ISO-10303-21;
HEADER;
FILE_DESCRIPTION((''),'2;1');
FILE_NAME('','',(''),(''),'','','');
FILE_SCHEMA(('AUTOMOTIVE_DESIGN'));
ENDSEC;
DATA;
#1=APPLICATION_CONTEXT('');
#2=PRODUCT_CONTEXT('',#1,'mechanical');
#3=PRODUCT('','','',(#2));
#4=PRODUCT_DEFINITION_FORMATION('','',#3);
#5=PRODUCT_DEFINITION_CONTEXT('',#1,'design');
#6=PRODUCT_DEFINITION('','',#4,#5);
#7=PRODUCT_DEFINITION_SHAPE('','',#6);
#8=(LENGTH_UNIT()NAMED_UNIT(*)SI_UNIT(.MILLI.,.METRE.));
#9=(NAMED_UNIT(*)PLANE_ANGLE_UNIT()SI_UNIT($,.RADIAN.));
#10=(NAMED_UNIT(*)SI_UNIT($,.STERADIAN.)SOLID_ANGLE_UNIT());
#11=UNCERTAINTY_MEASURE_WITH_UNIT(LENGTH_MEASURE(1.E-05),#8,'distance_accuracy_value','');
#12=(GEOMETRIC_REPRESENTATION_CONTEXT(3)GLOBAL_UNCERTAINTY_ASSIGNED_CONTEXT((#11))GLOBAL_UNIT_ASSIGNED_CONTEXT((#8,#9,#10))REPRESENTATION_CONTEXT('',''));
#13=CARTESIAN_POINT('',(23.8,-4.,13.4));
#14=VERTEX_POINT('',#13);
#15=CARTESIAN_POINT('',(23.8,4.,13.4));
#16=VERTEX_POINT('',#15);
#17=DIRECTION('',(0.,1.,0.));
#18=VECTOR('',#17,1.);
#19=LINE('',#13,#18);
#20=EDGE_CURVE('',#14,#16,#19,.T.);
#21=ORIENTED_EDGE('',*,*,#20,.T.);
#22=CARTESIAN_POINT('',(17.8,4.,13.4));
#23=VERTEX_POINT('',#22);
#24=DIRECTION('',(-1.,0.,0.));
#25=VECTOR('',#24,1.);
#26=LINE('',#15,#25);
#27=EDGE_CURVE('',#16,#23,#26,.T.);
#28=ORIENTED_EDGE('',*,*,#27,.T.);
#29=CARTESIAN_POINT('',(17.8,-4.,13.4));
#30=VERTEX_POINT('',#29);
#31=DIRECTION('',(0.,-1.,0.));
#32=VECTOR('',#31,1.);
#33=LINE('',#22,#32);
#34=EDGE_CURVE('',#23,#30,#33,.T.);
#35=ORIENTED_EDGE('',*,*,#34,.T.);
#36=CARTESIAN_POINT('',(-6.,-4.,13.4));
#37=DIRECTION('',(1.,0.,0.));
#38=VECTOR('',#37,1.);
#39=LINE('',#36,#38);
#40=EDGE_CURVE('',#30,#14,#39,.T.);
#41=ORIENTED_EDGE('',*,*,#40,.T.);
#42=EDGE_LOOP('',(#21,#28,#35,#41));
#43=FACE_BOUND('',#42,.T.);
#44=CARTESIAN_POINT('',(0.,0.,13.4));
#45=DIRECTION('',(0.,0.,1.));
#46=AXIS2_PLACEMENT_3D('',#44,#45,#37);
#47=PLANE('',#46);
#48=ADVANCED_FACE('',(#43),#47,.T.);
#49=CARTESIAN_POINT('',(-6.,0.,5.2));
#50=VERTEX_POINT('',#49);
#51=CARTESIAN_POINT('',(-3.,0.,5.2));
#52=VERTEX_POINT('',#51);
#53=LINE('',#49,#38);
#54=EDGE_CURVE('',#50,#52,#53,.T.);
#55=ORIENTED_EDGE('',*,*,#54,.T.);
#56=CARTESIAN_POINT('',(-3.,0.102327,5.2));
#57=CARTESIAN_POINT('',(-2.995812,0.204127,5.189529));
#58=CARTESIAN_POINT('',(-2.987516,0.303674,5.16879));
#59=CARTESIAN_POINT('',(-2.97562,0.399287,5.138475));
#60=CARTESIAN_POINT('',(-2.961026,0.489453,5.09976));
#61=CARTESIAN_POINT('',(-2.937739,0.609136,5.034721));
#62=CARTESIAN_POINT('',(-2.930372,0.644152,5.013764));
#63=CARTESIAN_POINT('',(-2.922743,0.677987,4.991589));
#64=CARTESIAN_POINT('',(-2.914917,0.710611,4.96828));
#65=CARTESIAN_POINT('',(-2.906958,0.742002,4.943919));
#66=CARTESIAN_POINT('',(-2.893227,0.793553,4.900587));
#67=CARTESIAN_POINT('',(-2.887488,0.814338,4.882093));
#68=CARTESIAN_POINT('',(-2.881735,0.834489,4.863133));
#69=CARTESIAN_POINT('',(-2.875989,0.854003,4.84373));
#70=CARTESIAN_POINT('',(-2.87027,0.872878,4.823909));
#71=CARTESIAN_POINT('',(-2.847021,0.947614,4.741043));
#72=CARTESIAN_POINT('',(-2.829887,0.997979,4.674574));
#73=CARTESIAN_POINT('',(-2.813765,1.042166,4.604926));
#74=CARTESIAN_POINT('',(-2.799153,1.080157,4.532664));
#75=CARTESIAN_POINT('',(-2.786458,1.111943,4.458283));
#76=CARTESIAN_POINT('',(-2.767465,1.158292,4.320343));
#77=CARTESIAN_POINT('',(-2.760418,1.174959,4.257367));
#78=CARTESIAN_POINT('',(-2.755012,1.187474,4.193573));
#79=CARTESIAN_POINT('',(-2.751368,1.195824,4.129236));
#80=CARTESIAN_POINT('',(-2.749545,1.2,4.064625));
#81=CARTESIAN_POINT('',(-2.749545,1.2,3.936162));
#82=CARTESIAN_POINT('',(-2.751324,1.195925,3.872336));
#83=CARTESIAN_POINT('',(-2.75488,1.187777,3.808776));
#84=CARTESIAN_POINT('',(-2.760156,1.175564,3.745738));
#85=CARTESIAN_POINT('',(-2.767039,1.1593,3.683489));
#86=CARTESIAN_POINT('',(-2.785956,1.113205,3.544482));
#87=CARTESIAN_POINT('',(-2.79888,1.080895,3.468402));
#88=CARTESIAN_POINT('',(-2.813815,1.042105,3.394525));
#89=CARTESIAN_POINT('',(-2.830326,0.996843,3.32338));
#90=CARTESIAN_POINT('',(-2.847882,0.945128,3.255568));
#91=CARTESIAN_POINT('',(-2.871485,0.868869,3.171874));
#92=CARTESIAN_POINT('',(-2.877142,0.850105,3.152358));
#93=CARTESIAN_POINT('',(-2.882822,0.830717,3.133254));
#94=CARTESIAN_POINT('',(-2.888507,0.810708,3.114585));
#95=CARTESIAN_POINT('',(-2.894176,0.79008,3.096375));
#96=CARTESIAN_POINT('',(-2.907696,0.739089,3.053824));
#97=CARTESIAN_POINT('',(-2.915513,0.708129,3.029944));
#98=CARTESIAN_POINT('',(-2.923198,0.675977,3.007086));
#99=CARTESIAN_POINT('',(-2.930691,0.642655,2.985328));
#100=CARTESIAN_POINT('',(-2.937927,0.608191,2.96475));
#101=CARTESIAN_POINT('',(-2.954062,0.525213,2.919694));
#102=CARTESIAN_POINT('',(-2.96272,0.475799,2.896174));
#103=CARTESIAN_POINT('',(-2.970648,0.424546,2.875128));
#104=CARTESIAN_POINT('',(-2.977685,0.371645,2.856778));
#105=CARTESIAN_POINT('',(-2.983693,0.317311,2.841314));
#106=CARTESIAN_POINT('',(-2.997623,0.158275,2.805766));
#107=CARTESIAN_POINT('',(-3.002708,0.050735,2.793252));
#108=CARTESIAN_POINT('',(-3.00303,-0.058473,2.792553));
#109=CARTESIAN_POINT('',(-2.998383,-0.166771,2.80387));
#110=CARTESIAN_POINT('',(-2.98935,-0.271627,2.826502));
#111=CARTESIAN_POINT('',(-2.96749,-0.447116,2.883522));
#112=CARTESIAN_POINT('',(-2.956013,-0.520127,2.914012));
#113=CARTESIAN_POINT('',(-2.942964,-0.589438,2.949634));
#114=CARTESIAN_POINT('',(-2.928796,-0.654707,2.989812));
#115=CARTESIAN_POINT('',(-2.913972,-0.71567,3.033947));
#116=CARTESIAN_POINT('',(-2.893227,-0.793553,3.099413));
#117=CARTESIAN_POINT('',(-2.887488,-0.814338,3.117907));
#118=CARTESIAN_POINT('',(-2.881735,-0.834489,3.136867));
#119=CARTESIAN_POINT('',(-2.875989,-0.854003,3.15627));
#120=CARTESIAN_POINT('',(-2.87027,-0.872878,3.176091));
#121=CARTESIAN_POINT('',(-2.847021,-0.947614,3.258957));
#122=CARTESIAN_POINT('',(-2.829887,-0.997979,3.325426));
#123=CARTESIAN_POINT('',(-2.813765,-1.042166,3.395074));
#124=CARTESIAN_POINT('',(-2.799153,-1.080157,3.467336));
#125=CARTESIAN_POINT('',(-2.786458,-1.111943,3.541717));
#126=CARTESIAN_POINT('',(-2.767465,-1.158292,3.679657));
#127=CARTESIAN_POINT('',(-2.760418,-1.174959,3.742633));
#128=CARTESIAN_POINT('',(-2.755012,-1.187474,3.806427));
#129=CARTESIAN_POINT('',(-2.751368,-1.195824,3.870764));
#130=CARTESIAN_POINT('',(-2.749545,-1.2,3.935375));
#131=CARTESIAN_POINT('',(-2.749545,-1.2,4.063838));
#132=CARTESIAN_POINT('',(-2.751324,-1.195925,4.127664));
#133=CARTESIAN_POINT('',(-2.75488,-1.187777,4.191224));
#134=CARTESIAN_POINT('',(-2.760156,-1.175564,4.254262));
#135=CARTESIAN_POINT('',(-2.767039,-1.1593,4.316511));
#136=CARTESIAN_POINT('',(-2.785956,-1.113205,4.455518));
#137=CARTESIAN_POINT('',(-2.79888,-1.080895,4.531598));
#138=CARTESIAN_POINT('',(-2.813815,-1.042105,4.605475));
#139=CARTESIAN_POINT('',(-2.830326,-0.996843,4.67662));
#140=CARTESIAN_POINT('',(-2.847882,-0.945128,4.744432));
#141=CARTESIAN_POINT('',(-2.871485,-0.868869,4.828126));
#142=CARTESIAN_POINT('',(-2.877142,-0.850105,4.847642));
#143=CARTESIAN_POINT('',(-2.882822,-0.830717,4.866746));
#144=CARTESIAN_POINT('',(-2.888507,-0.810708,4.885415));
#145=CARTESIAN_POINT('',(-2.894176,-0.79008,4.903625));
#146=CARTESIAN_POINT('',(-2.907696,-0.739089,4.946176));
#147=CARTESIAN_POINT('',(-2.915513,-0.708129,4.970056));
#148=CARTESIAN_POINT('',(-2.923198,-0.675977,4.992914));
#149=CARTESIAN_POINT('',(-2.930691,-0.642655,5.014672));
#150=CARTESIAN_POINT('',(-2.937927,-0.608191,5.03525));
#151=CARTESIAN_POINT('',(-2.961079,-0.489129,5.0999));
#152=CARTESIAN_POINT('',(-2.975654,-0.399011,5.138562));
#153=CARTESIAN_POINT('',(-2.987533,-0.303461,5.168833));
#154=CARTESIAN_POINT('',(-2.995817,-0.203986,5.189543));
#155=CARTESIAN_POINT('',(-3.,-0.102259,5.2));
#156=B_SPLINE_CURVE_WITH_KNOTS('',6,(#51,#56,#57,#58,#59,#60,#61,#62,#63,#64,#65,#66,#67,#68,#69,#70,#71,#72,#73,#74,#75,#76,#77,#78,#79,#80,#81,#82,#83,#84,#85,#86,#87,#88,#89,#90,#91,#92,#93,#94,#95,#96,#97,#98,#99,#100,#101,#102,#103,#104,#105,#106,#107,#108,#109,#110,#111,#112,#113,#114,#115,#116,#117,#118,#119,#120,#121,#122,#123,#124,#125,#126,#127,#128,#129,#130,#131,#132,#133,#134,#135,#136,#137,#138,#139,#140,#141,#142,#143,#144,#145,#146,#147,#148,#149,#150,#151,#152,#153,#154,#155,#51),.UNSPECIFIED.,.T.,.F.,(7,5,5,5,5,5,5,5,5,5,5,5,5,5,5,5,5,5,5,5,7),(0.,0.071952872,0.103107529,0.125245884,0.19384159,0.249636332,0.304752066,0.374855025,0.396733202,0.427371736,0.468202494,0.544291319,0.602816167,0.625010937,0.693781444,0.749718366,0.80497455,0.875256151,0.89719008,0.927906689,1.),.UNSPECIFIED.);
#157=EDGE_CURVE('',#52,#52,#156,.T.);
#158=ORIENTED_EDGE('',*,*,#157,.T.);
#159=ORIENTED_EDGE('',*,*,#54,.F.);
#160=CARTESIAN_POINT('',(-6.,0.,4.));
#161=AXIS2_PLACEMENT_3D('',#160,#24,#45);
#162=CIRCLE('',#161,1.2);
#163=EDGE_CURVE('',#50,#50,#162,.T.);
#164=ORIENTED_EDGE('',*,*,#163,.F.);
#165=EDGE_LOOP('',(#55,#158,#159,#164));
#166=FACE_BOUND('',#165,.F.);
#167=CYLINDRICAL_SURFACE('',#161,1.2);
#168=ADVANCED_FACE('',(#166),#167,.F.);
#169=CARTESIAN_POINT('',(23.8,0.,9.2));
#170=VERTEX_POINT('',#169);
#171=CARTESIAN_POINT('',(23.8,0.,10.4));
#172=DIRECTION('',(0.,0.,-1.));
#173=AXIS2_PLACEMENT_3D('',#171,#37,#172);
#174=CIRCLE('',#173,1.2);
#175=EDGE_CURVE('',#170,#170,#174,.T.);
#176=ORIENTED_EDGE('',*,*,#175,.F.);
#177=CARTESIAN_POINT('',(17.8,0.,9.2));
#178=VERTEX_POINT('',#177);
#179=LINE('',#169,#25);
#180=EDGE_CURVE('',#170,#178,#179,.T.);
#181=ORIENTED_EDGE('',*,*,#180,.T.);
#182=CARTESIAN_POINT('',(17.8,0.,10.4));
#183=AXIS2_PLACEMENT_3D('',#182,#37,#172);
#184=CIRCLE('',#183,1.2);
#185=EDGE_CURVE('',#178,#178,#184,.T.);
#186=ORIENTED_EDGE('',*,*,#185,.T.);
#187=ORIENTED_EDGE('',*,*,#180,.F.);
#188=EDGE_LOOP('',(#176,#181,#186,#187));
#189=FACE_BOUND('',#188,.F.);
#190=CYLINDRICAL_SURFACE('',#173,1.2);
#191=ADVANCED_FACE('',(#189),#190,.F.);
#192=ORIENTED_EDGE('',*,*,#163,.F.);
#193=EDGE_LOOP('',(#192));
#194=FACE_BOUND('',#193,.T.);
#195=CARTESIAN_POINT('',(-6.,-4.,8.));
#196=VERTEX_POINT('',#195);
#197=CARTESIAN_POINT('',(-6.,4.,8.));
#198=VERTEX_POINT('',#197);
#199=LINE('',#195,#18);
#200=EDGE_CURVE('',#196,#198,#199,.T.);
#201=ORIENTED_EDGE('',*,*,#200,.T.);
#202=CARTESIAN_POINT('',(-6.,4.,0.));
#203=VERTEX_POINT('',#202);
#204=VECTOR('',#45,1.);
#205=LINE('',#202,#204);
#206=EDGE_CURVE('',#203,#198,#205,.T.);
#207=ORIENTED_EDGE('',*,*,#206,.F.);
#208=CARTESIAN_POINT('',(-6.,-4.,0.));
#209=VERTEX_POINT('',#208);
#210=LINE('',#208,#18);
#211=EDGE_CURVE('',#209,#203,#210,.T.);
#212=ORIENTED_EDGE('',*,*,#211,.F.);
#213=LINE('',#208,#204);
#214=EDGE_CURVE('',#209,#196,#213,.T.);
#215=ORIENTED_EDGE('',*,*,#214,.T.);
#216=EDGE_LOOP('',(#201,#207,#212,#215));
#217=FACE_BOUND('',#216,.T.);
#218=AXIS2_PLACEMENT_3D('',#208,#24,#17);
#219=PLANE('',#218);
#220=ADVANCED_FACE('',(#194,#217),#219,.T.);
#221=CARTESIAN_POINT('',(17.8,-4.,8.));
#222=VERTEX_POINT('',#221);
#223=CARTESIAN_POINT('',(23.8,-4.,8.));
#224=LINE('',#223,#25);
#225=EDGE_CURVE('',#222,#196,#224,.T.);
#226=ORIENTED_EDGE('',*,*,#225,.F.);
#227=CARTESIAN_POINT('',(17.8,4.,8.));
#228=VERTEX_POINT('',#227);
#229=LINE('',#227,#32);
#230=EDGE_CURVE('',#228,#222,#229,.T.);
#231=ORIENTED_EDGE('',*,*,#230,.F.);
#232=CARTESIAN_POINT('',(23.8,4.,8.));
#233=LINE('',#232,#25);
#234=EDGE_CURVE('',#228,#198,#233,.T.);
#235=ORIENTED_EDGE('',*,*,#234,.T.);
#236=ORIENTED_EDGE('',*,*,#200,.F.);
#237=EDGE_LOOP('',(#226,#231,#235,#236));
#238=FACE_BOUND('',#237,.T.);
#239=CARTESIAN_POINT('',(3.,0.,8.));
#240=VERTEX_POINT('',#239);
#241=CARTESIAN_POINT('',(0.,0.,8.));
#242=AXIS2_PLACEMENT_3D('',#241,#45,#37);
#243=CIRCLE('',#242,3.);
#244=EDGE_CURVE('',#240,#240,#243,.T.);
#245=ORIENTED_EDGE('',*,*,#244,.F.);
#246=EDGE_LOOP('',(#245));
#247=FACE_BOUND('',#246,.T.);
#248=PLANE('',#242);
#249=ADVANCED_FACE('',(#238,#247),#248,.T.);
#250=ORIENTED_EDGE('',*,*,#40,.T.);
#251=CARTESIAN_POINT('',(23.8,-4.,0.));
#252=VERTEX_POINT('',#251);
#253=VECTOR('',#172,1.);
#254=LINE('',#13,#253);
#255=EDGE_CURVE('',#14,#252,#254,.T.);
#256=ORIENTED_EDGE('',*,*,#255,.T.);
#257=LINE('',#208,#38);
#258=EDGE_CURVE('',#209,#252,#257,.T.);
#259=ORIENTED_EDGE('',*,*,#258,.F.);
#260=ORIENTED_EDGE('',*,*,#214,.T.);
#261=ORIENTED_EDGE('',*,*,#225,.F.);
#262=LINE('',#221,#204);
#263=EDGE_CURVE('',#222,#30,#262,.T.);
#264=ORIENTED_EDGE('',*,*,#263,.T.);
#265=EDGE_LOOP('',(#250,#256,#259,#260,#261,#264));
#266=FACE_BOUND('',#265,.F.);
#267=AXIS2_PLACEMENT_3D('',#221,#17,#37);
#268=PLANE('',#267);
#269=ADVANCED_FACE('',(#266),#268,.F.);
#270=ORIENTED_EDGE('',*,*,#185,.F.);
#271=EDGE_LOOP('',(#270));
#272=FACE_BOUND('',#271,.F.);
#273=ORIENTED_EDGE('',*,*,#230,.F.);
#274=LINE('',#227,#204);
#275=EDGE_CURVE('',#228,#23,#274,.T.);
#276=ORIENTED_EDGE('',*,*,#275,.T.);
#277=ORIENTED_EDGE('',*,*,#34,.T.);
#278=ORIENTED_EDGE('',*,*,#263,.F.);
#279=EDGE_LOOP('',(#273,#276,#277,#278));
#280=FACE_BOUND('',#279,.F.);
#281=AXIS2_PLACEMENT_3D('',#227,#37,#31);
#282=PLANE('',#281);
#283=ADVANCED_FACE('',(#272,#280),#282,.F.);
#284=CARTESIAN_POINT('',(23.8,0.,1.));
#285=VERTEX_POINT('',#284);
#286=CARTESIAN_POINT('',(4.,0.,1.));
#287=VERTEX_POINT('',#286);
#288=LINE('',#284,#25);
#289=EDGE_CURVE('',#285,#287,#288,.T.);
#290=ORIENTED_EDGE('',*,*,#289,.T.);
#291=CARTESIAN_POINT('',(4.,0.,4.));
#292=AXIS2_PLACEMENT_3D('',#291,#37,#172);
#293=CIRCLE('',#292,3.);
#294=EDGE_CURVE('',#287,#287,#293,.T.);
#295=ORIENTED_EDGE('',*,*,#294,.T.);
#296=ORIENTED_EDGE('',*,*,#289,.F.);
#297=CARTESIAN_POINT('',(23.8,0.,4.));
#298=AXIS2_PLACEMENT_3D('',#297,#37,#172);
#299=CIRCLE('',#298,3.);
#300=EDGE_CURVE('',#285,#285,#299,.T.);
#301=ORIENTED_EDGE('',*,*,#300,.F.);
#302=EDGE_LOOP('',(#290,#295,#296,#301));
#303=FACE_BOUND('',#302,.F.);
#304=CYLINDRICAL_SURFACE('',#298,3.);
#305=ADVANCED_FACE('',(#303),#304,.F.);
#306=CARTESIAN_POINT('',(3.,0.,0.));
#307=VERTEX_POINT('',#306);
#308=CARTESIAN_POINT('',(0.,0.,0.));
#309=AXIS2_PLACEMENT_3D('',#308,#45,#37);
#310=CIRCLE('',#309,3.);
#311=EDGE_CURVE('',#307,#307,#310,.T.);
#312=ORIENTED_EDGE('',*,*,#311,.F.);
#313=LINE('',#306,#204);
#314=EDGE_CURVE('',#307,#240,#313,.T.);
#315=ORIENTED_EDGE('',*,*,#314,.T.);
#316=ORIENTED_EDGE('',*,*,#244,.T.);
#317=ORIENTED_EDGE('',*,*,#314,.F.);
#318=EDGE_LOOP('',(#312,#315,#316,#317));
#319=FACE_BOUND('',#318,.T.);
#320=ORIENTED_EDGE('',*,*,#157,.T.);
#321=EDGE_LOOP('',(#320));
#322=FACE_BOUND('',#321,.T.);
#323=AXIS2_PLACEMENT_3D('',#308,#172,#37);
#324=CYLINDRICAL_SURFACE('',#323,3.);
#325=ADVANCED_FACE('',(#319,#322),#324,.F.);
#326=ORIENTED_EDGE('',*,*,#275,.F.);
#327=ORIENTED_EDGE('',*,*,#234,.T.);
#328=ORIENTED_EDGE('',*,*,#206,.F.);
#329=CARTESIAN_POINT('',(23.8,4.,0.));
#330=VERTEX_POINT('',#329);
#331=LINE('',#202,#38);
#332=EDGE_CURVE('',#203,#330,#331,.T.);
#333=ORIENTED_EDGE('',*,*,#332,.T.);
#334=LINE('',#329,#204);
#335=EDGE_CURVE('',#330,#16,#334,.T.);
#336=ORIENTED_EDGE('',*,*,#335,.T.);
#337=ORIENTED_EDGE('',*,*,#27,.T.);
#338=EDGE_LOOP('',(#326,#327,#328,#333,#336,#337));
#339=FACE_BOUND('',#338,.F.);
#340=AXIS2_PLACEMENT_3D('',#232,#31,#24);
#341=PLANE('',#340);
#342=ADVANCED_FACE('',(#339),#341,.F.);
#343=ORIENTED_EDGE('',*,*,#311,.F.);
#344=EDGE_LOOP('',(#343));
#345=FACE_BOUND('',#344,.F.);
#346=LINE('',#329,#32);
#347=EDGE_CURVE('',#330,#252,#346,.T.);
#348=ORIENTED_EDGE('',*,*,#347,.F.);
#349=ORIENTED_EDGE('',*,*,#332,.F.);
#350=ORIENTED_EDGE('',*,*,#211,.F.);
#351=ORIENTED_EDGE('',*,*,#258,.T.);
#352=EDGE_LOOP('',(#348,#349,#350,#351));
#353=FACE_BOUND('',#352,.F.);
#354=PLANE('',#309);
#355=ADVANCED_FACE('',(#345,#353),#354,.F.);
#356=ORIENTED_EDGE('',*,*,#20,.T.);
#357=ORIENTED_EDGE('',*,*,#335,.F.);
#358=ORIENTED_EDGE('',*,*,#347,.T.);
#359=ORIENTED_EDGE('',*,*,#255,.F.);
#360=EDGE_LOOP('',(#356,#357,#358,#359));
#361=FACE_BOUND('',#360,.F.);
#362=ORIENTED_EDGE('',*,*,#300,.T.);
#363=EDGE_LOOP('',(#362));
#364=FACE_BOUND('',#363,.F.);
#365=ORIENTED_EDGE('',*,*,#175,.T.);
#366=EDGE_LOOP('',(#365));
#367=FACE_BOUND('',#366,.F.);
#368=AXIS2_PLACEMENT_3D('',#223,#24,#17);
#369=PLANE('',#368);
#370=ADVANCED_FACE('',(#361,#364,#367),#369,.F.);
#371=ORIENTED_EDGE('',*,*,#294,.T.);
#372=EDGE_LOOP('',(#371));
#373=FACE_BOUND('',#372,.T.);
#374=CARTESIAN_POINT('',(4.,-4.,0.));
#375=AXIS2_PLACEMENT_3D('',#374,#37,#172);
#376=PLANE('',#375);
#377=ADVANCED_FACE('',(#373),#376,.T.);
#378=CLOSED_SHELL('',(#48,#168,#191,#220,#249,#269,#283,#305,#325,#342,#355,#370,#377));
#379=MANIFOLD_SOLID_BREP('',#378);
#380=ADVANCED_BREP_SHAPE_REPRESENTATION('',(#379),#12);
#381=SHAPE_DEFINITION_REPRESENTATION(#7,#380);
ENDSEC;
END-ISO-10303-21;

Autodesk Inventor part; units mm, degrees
ref_plane "YZ Plane" through (0, 0, 0) normal (1, 0, 0) x (0, 1, 0)
ref_plane "XZ Plane" through (0, 0, 0) normal (0, 1, 0) x (-1, 0, 0)
ref_plane "XY Plane" through (0, 0, 0) normal (0, 0, 1) x (1, 0, 0)
sketch "Sketch1" plane through (0, 0, 0) normal (0, 0, 1) x (1, 0, 0)
  circle A0 centre (0, 0) radius 3 projected
  line L0 (6, -4) -> (-6, -4)
  line L1 (-6, -4) -> (-6, 4)
  line L2 (-6, 4) -> (6, 4)
  line L3 (6, 4) -> (6, -4)
  line L4 (6, -4) -> (-6, 4) construction
  line L5 (-6, -4) -> (6, 4) construction
  line L6 (6, 4) -> (23.8, 4)
  line L7 (23.8, 4) -> (23.8, -4)
  line L8 (23.8, -4) -> (6, -4)
  line L9 (6, -4) -> (6, 4)
  point P0 (0, 0)
  dimension "d0" = 12
  dimension "d1" = 8
  dimension "d2" = 17.8
extrude "Extrusion1" add sketch "Sketch1" along normal blind 8
sketch "Sketch2" plane through (23.8, -4, 0) normal (1, 0, 0) x (0, 0, -1)
  circle A0 centre (-4, 4) radius 3
  point P0 (0, 4)
  dimension "d5" = 6
extrude "Extrusion2" cut sketch "Sketch2" against normal blind 19.8
sketch "Sketch3" plane through (-6, -4, 0) normal (-1, 0, 0) x (0, 0, 1)
  circle A0 centre (4, 4) radius 1.2
  point P0 (0, 4)
  dimension "d8" = 2.4
extrude "Extrusion3" cut sketch "Sketch3" against normal blind 4
thread "Thread1" size "M3x0.5" class "6H" standard "ANSI Metric M Profile" full length
sketch "Sketch5" plane through (0, 0, 8) normal (0, 0, 1) x (1, 0, 0)
  line L0 (23.8, 4) -> (-6, 4) projected
  line L1 (-6, -4) -> (23.8, -4) projected
  line L2 (23.8, -4) -> (23.8, 4) projected
  line L3 (17.8, 4) -> (17.8, -4)
  dimension "d20" = 6
extrude "Extrusion5" add sketch "Sketch5" along normal blind 5.4
sketch "Sketch6" plane through (23.8, -4, 0) normal (1, 0, 0) x (0, 0, -1)
  line L0 (-13.4, 0) -> (-13.4, 8) projected
  circle A0 centre (-10.4, 4) radius 1.2
  point P0 (0, 4)
  dimension "d23" = 2.4
  dimension "d24" = 3
extrude "Extrusion6" cut sketch "Sketch6" against normal blind 10
thread "Thread3" size "M3x0.5" class "6H" standard "ANSI Metric M Profile" full length
properties material "Copper"
